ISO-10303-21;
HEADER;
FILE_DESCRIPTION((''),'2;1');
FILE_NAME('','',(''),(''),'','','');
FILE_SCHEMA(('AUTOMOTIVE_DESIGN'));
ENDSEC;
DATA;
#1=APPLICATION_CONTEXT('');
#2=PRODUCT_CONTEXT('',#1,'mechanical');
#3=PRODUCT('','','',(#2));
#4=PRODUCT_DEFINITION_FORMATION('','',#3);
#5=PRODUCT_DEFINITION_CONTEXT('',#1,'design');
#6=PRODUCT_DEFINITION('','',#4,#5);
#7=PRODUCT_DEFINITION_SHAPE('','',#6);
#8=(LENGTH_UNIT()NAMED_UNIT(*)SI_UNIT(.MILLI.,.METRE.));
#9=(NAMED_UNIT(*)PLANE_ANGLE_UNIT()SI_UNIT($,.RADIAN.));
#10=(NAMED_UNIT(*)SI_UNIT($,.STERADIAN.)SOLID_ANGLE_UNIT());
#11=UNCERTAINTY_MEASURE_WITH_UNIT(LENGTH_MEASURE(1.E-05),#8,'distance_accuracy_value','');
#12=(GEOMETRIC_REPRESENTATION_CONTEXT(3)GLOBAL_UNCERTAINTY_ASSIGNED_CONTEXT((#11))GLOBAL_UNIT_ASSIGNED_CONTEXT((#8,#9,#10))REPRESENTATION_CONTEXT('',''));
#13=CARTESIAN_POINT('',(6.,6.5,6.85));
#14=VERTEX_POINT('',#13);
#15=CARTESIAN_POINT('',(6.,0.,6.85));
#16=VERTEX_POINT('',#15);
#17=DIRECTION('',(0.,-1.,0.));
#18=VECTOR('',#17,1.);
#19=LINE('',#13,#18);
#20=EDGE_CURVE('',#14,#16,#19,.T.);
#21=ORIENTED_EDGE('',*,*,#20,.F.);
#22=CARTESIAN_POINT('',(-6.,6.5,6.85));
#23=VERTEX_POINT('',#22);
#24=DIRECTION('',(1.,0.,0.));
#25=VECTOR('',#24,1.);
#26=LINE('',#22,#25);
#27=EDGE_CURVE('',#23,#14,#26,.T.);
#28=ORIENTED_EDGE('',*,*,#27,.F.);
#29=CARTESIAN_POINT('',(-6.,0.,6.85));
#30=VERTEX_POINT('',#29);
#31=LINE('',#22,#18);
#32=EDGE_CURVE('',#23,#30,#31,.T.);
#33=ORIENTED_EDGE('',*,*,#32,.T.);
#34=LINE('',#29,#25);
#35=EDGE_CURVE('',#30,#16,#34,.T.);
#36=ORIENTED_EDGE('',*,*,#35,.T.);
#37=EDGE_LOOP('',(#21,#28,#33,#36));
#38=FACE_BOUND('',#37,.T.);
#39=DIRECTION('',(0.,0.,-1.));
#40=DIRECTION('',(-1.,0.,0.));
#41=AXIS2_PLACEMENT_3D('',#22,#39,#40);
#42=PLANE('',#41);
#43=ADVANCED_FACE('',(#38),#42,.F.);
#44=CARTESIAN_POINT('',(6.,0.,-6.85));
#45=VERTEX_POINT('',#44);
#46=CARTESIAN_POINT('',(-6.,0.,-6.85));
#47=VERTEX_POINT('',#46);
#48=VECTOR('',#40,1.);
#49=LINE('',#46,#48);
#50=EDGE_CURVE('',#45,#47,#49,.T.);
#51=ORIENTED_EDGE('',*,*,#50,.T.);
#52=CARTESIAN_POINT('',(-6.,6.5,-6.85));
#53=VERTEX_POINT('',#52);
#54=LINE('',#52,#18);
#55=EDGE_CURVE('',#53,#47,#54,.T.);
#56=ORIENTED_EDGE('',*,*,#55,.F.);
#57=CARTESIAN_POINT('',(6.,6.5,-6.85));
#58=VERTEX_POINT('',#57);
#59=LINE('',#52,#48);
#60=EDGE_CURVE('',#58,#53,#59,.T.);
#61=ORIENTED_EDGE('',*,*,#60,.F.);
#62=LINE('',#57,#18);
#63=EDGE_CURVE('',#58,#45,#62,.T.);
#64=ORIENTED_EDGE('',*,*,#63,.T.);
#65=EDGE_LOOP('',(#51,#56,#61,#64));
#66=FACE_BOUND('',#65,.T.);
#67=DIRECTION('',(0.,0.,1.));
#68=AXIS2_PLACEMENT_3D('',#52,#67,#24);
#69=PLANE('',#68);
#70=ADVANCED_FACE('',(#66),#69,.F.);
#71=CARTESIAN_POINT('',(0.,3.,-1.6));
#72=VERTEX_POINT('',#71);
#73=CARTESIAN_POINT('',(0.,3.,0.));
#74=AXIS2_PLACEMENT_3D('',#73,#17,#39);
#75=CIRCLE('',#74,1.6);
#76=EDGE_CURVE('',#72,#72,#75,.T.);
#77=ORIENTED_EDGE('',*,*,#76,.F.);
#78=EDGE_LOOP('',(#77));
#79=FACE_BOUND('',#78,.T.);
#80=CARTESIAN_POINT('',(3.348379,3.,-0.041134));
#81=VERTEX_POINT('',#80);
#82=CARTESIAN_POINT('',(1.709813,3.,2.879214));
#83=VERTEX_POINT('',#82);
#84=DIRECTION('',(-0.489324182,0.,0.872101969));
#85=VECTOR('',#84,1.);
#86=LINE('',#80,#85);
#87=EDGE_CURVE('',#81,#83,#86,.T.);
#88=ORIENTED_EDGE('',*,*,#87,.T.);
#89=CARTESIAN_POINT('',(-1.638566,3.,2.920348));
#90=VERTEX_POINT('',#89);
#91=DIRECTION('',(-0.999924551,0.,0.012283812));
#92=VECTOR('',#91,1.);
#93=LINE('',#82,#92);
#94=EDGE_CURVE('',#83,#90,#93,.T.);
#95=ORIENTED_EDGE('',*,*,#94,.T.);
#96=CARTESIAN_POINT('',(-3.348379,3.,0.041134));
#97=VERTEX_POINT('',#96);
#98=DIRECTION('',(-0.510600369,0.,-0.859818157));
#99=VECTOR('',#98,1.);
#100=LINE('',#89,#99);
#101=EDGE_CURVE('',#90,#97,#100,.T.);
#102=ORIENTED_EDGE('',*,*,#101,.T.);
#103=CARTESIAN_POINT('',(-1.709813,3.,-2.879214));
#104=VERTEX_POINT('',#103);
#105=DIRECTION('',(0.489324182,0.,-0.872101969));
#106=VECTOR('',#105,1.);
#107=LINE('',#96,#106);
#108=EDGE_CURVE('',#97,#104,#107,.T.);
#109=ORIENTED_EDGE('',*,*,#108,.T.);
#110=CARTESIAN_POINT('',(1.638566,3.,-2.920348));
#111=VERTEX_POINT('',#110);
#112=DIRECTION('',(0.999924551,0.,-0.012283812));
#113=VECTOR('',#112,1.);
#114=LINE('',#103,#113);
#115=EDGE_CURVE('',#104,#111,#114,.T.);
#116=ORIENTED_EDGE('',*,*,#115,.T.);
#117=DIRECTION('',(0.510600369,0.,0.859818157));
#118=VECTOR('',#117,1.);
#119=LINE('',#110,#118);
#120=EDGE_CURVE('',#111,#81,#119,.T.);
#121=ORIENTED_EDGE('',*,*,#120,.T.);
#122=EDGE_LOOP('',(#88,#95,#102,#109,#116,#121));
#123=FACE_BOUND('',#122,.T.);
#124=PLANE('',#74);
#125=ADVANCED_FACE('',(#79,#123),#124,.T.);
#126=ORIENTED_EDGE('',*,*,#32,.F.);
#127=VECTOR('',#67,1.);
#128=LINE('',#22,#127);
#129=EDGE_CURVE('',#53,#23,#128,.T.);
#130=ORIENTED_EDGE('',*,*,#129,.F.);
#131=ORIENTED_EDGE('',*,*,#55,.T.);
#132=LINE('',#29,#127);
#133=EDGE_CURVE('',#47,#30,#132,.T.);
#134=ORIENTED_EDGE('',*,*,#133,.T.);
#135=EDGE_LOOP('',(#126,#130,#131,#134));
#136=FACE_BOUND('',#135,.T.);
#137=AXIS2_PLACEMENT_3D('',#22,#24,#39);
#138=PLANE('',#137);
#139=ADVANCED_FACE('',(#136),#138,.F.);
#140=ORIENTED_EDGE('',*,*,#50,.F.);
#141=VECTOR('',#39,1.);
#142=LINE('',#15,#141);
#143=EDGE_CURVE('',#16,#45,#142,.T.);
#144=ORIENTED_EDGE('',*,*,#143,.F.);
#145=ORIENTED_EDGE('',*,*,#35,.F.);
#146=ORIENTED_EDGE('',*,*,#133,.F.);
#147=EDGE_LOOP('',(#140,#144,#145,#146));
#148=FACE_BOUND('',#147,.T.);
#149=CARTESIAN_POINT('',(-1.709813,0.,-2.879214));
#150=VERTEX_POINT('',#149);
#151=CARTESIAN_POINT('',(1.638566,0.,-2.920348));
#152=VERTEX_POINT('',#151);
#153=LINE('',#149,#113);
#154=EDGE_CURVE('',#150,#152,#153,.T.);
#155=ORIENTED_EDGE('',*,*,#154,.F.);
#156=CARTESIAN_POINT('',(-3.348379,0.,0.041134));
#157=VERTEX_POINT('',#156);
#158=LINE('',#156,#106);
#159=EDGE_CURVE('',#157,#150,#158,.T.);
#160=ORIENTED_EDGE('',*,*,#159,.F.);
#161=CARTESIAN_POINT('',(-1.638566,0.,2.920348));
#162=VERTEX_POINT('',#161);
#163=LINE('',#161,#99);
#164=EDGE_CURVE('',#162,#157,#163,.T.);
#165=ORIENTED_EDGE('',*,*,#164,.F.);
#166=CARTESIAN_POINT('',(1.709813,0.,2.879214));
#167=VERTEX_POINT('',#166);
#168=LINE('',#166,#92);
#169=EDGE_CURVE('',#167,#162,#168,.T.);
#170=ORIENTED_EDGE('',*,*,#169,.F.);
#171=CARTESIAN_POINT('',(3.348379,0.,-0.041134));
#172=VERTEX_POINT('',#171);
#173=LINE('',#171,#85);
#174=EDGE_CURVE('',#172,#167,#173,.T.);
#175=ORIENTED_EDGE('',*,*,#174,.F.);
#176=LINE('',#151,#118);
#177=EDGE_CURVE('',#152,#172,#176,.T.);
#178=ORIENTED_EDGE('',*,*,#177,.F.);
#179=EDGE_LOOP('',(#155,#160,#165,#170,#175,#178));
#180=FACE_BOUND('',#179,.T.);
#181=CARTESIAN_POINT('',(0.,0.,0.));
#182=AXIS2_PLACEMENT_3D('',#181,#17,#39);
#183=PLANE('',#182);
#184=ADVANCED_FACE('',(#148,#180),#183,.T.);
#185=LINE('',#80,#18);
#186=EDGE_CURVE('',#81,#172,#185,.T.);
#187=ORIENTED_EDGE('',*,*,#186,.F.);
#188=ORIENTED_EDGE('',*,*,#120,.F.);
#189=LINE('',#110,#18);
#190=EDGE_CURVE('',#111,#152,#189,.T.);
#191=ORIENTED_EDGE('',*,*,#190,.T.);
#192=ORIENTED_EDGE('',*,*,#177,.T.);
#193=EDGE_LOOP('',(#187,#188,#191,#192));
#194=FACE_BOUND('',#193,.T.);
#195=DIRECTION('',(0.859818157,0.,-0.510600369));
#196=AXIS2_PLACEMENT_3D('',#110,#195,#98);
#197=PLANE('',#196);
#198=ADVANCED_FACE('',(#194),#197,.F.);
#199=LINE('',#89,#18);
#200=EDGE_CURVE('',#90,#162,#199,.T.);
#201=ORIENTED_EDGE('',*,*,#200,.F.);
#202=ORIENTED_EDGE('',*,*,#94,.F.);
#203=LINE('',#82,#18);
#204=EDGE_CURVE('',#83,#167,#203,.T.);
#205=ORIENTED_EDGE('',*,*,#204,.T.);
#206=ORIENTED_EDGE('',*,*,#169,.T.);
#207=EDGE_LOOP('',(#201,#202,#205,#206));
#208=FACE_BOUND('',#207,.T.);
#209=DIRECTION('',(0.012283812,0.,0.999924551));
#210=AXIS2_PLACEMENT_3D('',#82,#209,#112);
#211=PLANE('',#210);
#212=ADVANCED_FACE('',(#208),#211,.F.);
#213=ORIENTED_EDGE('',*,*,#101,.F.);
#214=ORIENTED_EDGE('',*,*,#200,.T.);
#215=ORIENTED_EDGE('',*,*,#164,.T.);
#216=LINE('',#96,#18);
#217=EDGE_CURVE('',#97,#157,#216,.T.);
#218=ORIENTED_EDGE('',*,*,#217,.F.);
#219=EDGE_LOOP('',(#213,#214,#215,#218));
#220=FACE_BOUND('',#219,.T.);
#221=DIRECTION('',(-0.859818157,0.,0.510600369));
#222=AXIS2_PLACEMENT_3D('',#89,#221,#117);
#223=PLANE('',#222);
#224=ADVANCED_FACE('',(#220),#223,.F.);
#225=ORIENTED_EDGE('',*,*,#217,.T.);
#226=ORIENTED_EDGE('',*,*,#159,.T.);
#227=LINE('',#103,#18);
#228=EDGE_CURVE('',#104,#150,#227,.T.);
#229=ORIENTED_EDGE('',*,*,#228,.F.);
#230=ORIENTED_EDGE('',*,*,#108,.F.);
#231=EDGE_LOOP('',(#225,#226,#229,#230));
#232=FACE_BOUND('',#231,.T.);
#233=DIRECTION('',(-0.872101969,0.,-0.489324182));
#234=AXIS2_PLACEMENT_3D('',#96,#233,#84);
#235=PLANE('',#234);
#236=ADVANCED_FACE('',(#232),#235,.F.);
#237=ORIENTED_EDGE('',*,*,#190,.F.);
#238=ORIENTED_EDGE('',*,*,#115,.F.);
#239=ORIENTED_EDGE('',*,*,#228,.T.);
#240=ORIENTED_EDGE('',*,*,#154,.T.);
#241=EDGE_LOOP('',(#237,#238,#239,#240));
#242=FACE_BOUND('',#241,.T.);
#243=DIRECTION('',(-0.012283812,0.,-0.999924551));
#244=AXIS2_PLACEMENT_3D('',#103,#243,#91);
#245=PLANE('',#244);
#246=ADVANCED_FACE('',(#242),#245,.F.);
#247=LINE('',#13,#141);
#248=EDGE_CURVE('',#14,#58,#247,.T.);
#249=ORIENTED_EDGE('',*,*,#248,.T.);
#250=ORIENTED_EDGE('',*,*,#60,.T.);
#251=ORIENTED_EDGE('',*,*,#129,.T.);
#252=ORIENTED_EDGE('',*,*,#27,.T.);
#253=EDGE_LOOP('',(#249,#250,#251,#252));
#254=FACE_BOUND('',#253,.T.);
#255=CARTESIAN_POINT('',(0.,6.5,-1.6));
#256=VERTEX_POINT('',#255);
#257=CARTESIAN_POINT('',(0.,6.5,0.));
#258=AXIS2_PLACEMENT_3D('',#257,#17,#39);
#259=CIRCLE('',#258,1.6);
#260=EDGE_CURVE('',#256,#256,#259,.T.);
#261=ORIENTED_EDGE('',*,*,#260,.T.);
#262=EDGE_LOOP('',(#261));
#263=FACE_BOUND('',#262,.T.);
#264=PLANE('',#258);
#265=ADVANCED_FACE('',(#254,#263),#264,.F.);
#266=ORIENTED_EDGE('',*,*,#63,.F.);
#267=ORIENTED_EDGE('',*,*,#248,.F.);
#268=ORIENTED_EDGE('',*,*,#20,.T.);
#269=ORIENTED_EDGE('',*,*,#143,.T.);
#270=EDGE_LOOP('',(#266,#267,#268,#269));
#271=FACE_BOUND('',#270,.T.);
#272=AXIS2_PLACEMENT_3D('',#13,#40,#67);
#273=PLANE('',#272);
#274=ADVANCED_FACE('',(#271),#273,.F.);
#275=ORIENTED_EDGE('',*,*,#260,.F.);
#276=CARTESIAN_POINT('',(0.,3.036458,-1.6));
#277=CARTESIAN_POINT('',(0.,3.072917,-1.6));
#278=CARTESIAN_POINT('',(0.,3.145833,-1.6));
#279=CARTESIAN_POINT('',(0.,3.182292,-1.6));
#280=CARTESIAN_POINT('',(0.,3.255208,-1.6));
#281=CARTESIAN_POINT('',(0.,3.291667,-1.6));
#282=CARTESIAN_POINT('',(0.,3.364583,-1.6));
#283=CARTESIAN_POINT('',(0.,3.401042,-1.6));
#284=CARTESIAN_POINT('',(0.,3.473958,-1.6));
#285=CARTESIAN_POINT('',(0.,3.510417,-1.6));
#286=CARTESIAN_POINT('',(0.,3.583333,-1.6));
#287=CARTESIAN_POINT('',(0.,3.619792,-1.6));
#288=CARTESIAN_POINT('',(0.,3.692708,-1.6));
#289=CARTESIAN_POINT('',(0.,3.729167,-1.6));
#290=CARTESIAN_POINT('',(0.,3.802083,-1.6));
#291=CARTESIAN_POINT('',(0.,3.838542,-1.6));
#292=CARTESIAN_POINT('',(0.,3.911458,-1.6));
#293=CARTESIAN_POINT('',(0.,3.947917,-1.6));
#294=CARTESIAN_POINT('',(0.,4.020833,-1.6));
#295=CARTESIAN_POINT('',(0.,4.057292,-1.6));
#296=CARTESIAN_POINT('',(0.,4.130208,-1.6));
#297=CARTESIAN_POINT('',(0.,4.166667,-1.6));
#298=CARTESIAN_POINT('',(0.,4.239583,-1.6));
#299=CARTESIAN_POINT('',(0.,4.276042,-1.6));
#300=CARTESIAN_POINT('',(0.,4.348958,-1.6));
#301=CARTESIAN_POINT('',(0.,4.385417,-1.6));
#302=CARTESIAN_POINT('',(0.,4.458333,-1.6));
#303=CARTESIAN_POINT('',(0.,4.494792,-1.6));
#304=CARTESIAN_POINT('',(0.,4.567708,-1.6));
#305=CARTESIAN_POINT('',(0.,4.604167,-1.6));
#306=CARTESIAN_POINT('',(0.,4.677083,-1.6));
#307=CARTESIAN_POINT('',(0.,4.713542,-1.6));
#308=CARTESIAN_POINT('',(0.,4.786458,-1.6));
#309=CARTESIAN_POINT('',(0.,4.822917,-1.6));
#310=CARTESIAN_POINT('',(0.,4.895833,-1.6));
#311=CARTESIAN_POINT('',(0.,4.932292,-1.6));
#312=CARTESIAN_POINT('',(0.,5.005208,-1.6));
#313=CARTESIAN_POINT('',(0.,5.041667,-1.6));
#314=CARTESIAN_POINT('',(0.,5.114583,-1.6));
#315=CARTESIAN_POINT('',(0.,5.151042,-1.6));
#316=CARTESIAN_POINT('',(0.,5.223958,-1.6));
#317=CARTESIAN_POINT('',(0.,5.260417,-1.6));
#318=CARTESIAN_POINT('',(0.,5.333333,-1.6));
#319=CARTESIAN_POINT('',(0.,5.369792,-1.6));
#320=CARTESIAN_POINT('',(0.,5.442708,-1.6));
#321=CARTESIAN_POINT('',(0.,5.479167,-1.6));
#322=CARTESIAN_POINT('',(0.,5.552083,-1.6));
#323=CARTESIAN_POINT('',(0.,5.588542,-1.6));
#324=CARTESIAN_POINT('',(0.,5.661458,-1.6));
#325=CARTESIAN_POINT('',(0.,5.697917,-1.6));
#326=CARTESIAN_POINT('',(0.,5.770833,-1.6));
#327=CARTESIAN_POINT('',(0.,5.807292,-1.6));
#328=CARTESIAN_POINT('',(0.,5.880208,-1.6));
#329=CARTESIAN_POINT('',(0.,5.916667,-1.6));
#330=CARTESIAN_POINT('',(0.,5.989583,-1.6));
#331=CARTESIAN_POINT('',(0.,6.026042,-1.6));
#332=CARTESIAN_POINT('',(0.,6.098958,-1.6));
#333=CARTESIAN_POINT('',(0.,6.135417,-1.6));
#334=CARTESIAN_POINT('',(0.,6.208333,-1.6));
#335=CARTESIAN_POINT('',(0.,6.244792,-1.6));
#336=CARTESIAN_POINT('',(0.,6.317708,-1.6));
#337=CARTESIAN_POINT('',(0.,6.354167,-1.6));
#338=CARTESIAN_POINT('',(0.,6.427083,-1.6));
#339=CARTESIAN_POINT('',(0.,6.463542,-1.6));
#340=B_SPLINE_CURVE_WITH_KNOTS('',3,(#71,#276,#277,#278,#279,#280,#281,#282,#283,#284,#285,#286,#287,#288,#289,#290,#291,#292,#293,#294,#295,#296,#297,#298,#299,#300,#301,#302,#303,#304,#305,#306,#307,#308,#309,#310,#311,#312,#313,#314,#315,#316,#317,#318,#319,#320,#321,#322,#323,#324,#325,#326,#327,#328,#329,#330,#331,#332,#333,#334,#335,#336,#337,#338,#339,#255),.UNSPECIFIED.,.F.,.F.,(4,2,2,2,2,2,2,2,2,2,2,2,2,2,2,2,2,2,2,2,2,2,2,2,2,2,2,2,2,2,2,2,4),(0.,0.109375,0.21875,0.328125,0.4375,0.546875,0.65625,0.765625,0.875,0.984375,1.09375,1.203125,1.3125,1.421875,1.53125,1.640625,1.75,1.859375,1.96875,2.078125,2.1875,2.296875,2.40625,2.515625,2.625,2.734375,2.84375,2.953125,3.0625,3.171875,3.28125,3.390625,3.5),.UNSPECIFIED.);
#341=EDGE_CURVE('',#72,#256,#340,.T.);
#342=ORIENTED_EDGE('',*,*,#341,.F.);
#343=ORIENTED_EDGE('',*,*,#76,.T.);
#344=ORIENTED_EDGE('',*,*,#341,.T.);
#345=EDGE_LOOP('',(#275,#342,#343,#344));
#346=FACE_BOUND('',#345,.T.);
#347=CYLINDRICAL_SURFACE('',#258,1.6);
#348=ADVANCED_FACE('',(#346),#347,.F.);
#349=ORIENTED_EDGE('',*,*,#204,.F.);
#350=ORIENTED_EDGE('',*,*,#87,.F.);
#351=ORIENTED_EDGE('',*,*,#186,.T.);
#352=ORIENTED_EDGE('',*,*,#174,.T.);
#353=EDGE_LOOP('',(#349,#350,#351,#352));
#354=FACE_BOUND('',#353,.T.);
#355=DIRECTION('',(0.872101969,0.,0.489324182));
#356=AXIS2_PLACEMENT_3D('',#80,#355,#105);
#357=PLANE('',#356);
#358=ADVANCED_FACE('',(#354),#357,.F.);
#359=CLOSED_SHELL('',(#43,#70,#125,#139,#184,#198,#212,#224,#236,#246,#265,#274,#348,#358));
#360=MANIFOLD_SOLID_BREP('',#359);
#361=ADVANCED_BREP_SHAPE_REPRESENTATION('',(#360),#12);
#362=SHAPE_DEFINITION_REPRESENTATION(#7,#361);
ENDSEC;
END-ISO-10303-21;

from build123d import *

# Parameters (mm, degrees)
SKETCH4_W               = 12
SKETCH4_H               = 13.7
BOSS_EXTRUDE2_DEPTH     = 6.5
CUT_EXTRUDE1_DEPTH      = 3
CUT_EXTRUDE2_DEPTH      = 12.188051662
CUT_EXTRUDE2_DEPTH_BACK = 12.188051662
SKETCH5_R               = 1.6


with BuildPart() as part:
    # Sketch4 → Boss-Extrude2 (new body)
    with BuildSketch(Plane(origin=(0, 0, 0), x_dir=(1, 0, 0), z_dir=(0, 1, 0))):
        Rectangle(SKETCH4_W, SKETCH4_H)
    extrude(amount=BOSS_EXTRUDE2_DEPTH)

    # Sketch3 → Cut-Extrude1 (cut)
    with BuildSketch(Plane.XZ):
        Polygon((1.638566399, -2.920348179), (3.348378911, -0.041133962), (1.709812512, 2.879214217), (-1.638566399, 2.920348179), (-3.348378911, 0.041133962), (-1.709812512, -2.879214217), align=None)
    extrude(amount=-CUT_EXTRUDE1_DEPTH, mode=Mode.SUBTRACT)

    # Sketch5 → Cut-Extrude2 (cut, two sides: drawn at the far end of the back side and taken through both)
    with BuildSketch(Plane.XZ.offset(-CUT_EXTRUDE2_DEPTH_BACK)):
        with Locations(Location((0, 0, 0), (0, 0, 270))):
            Circle(SKETCH5_R)
    extrude(amount=CUT_EXTRUDE2_DEPTH + CUT_EXTRUDE2_DEPTH_BACK, mode=Mode.SUBTRACT)


solid = part.part
